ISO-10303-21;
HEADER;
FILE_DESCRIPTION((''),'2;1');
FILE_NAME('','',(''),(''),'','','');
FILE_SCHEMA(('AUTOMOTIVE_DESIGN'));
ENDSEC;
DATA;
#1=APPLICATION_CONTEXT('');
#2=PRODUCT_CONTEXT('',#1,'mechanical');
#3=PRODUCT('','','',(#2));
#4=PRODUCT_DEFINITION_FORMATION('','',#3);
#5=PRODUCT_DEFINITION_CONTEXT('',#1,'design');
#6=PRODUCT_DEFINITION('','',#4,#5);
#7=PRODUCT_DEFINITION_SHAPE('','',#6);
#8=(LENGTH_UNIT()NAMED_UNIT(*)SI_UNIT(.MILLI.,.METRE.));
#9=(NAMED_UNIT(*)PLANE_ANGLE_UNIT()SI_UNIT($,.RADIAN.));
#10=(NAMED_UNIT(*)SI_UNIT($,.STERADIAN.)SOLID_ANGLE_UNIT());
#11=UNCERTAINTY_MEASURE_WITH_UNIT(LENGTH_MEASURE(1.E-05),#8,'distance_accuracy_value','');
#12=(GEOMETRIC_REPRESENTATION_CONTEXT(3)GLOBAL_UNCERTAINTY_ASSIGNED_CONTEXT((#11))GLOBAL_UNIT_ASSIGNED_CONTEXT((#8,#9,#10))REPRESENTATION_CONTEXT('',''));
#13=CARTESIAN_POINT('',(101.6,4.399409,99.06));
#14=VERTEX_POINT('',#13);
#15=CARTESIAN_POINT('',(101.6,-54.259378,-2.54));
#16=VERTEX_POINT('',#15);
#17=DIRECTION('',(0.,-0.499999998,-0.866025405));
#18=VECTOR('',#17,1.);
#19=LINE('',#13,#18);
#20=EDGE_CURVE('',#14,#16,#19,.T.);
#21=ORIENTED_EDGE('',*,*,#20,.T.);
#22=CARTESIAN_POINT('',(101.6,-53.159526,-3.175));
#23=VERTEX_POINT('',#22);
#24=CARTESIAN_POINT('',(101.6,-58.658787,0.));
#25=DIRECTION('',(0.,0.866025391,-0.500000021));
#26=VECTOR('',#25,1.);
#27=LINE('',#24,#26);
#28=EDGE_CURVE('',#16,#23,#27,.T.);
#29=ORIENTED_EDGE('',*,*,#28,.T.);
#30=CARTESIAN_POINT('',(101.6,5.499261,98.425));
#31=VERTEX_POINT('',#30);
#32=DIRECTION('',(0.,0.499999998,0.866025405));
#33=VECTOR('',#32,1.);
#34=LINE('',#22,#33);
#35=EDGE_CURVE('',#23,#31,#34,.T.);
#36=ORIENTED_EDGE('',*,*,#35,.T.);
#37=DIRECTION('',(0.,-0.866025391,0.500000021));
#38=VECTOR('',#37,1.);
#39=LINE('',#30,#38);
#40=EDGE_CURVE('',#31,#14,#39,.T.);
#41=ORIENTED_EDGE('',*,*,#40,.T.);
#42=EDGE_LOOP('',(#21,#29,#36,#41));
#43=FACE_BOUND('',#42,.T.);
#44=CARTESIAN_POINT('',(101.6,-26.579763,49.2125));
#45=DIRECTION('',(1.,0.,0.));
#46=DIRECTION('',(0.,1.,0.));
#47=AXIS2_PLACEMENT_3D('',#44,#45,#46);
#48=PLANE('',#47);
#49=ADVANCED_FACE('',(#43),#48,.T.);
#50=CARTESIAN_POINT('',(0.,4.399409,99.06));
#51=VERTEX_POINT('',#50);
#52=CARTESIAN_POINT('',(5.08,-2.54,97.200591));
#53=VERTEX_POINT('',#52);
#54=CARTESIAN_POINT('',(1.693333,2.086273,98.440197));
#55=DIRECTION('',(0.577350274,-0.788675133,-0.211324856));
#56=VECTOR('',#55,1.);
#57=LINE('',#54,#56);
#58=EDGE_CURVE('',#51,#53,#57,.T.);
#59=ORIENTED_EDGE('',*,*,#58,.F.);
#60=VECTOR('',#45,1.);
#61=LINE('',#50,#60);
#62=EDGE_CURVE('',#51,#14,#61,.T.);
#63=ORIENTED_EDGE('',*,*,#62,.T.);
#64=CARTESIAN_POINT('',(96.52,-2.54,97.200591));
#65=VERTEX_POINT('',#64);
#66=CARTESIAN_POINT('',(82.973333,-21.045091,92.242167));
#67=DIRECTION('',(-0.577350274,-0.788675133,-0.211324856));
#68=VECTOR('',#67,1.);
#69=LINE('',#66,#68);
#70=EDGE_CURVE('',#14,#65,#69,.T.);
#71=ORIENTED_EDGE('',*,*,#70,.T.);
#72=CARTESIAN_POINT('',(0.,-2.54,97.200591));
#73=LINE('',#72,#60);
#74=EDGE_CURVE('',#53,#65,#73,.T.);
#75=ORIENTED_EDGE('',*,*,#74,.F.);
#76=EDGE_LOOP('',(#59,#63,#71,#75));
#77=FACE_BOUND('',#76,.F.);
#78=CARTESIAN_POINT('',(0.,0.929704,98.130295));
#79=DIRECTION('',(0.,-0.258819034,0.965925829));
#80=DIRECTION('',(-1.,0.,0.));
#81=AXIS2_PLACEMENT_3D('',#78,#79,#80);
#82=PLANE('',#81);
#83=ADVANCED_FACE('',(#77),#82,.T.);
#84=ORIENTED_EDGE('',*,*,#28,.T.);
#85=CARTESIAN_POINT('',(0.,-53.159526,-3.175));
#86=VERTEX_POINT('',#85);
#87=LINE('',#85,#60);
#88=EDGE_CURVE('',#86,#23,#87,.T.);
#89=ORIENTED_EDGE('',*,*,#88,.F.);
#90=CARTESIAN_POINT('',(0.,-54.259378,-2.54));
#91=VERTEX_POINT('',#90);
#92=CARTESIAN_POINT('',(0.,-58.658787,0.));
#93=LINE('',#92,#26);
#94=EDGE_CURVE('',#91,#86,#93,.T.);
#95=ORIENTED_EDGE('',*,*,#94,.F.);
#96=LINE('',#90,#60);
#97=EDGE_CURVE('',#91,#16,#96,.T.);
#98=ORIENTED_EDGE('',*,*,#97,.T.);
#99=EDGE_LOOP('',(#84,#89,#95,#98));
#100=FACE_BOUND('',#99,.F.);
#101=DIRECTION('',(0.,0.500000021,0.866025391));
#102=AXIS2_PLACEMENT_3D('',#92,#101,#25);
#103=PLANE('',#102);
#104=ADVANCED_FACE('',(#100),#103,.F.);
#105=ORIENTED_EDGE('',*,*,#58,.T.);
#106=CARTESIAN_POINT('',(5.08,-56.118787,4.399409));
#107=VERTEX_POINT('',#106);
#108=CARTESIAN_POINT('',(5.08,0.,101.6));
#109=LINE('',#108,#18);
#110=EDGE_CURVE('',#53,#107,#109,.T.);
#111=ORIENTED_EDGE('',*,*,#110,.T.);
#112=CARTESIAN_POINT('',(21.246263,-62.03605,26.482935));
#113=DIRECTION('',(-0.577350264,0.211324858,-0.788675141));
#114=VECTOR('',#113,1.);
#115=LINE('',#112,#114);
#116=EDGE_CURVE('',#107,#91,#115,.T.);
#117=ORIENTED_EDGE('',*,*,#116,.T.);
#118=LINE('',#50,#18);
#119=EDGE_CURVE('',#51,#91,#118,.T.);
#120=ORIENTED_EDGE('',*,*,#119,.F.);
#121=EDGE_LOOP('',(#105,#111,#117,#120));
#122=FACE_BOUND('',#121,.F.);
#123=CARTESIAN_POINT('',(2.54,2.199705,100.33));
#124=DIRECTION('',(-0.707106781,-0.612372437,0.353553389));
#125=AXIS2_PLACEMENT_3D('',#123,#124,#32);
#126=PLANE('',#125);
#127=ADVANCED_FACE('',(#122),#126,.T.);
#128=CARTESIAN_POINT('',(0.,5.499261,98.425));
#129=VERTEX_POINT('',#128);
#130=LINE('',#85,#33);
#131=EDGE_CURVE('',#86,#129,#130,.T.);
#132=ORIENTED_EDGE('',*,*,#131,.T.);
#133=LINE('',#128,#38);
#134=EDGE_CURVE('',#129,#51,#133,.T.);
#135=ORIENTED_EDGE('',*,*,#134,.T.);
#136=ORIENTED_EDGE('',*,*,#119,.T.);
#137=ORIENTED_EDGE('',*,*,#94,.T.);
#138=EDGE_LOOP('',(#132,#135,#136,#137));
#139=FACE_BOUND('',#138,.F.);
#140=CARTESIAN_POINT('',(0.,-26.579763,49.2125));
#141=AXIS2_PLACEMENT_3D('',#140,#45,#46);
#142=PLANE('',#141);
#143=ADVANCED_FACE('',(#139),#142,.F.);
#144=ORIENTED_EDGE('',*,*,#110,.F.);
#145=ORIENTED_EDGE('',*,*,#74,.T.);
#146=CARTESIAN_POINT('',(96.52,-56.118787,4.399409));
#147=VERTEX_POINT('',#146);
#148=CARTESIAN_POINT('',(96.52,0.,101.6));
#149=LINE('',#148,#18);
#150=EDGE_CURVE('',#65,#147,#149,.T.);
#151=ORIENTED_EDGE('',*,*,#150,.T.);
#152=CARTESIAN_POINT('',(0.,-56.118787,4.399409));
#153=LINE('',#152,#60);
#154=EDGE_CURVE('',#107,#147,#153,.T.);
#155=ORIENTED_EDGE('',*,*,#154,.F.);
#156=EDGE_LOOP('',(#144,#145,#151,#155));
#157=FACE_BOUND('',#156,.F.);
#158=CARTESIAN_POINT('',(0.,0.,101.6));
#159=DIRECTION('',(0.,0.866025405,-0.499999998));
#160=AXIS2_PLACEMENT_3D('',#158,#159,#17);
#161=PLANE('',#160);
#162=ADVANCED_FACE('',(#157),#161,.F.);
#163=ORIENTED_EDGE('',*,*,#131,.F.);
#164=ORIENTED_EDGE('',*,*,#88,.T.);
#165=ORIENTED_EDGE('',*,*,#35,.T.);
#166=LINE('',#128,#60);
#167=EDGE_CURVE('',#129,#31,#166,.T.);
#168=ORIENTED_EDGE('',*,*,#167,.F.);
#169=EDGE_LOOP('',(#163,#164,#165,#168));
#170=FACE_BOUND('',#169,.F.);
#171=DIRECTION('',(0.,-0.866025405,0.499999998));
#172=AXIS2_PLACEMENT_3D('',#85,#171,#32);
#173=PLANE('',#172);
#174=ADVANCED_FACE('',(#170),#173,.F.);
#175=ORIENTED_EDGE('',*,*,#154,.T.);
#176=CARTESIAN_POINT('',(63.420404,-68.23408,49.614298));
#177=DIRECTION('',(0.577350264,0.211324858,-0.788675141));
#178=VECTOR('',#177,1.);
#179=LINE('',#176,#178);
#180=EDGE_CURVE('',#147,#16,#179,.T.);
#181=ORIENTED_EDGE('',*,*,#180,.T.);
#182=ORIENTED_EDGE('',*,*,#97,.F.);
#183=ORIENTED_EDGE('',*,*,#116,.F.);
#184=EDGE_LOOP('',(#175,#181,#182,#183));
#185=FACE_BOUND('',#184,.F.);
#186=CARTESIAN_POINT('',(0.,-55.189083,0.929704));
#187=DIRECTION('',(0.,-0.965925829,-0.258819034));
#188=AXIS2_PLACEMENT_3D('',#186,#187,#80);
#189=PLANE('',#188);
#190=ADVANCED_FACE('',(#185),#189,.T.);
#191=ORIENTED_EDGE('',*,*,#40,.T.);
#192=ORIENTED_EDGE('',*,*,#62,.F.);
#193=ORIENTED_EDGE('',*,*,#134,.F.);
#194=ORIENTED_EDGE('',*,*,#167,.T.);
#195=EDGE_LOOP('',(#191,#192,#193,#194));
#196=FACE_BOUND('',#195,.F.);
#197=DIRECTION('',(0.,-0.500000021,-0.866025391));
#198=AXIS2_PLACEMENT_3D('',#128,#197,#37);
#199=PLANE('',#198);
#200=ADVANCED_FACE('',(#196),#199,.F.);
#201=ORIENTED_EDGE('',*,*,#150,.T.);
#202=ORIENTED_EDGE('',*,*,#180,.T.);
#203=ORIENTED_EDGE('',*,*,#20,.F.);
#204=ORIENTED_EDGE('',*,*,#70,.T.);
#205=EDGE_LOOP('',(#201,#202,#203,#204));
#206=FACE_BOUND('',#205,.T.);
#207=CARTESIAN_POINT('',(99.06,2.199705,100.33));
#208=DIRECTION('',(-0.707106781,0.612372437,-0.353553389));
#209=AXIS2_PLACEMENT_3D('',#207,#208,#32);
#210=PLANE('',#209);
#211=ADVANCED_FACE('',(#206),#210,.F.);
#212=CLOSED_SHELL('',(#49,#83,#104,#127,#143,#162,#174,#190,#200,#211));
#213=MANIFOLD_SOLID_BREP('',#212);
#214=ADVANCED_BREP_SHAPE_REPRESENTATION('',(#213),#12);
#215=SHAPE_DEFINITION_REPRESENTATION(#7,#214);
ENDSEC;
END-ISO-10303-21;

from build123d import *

# Parameters (mm, degrees)
F1_DEPTH = 101.6
F2_SIZE  = 5.08


with BuildPart() as f1:
    # F0 (on Right) → F1 (new body)
    with BuildSketch(Plane.YZ):
        Polygon((5.499261, 98.425), (0, 101.6), (-58.658787, 0), (-53.159526, -3.175), align=None)
    extrude(amount=F1_DEPTH)

    # F2
    f2_edges = [f1.edges().sort_by_distance(p)[0] for p in [
        (50.8, 0, 101.6),
        (50.8, -58.658787, 0),
        (0, -29.329394, 50.8),
        (101.6, -29.329394, 50.8),
    ]]
    chamfer(f2_edges, length=F2_SIZE)


solid = f1.part
